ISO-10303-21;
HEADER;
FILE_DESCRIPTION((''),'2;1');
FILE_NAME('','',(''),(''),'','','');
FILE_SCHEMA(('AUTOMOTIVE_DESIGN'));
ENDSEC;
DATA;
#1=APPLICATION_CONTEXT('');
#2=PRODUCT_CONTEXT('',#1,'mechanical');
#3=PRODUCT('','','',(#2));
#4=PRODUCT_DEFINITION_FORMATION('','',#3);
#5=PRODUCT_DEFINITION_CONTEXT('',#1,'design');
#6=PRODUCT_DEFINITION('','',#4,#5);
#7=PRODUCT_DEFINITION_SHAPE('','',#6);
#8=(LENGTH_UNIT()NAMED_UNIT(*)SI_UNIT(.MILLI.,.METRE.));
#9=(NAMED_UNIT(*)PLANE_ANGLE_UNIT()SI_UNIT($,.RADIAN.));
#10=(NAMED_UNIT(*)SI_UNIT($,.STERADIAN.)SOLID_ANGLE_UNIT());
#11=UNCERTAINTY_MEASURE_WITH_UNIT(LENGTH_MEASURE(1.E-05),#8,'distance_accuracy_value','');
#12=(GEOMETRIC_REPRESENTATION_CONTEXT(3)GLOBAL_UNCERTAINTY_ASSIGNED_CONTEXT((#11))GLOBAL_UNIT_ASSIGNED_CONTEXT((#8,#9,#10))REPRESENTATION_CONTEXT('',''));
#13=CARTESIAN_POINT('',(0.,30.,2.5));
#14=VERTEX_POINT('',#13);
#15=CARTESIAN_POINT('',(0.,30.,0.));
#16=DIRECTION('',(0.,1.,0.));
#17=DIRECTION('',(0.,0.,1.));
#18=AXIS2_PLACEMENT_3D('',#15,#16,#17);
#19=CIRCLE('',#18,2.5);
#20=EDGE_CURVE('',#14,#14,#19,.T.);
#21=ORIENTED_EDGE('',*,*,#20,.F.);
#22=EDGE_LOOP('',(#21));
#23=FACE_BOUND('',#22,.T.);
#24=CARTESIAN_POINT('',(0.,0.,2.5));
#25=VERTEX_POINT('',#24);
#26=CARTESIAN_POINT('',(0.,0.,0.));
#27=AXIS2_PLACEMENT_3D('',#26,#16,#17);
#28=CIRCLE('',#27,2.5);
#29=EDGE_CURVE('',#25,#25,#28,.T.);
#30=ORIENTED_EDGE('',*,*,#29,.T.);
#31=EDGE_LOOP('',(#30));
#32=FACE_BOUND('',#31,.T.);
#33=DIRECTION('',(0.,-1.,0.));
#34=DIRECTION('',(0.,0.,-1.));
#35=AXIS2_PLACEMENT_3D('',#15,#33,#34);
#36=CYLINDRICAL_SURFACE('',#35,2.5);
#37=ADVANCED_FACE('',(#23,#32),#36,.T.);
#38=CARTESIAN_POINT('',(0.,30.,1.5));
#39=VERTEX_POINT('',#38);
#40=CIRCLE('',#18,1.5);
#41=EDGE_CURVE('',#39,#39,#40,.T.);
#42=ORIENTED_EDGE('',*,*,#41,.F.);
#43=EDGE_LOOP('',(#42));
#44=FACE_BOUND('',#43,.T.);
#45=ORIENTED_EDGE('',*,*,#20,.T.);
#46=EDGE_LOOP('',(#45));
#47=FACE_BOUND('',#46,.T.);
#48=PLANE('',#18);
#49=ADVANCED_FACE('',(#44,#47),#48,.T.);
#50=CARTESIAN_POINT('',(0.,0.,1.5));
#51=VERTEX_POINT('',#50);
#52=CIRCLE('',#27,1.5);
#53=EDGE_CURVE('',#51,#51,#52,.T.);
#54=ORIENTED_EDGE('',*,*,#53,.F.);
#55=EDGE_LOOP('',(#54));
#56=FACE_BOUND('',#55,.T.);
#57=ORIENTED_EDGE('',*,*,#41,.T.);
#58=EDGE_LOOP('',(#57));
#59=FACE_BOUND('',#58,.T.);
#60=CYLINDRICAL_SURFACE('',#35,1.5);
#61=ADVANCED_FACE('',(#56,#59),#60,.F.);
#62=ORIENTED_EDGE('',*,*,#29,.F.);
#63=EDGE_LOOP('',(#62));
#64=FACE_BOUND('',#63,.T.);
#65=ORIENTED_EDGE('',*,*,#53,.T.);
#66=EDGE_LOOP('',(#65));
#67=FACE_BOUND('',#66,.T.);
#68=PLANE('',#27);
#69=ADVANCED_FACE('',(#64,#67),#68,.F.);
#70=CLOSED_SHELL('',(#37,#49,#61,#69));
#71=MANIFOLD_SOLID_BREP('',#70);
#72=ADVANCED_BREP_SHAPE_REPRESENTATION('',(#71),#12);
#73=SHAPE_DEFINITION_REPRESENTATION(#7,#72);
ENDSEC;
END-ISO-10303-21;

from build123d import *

# Parameters (mm, degrees)
SKETCH1_R           = 2.5
SKETCH1_R_2         = 1.5
BOSS_EXTRUDE1_DEPTH = 30


with BuildPart() as part:
    # Sketch1 → Boss-Extrude1 (new body)
    with BuildSketch(Plane(origin=(0, 0, 0), x_dir=(1, 0, 0), z_dir=(0, 1, 0))):
        Circle(SKETCH1_R)
        Circle(SKETCH1_R_2, mode=Mode.SUBTRACT)
    extrude(amount=BOSS_EXTRUDE1_DEPTH)


solid = part.part
